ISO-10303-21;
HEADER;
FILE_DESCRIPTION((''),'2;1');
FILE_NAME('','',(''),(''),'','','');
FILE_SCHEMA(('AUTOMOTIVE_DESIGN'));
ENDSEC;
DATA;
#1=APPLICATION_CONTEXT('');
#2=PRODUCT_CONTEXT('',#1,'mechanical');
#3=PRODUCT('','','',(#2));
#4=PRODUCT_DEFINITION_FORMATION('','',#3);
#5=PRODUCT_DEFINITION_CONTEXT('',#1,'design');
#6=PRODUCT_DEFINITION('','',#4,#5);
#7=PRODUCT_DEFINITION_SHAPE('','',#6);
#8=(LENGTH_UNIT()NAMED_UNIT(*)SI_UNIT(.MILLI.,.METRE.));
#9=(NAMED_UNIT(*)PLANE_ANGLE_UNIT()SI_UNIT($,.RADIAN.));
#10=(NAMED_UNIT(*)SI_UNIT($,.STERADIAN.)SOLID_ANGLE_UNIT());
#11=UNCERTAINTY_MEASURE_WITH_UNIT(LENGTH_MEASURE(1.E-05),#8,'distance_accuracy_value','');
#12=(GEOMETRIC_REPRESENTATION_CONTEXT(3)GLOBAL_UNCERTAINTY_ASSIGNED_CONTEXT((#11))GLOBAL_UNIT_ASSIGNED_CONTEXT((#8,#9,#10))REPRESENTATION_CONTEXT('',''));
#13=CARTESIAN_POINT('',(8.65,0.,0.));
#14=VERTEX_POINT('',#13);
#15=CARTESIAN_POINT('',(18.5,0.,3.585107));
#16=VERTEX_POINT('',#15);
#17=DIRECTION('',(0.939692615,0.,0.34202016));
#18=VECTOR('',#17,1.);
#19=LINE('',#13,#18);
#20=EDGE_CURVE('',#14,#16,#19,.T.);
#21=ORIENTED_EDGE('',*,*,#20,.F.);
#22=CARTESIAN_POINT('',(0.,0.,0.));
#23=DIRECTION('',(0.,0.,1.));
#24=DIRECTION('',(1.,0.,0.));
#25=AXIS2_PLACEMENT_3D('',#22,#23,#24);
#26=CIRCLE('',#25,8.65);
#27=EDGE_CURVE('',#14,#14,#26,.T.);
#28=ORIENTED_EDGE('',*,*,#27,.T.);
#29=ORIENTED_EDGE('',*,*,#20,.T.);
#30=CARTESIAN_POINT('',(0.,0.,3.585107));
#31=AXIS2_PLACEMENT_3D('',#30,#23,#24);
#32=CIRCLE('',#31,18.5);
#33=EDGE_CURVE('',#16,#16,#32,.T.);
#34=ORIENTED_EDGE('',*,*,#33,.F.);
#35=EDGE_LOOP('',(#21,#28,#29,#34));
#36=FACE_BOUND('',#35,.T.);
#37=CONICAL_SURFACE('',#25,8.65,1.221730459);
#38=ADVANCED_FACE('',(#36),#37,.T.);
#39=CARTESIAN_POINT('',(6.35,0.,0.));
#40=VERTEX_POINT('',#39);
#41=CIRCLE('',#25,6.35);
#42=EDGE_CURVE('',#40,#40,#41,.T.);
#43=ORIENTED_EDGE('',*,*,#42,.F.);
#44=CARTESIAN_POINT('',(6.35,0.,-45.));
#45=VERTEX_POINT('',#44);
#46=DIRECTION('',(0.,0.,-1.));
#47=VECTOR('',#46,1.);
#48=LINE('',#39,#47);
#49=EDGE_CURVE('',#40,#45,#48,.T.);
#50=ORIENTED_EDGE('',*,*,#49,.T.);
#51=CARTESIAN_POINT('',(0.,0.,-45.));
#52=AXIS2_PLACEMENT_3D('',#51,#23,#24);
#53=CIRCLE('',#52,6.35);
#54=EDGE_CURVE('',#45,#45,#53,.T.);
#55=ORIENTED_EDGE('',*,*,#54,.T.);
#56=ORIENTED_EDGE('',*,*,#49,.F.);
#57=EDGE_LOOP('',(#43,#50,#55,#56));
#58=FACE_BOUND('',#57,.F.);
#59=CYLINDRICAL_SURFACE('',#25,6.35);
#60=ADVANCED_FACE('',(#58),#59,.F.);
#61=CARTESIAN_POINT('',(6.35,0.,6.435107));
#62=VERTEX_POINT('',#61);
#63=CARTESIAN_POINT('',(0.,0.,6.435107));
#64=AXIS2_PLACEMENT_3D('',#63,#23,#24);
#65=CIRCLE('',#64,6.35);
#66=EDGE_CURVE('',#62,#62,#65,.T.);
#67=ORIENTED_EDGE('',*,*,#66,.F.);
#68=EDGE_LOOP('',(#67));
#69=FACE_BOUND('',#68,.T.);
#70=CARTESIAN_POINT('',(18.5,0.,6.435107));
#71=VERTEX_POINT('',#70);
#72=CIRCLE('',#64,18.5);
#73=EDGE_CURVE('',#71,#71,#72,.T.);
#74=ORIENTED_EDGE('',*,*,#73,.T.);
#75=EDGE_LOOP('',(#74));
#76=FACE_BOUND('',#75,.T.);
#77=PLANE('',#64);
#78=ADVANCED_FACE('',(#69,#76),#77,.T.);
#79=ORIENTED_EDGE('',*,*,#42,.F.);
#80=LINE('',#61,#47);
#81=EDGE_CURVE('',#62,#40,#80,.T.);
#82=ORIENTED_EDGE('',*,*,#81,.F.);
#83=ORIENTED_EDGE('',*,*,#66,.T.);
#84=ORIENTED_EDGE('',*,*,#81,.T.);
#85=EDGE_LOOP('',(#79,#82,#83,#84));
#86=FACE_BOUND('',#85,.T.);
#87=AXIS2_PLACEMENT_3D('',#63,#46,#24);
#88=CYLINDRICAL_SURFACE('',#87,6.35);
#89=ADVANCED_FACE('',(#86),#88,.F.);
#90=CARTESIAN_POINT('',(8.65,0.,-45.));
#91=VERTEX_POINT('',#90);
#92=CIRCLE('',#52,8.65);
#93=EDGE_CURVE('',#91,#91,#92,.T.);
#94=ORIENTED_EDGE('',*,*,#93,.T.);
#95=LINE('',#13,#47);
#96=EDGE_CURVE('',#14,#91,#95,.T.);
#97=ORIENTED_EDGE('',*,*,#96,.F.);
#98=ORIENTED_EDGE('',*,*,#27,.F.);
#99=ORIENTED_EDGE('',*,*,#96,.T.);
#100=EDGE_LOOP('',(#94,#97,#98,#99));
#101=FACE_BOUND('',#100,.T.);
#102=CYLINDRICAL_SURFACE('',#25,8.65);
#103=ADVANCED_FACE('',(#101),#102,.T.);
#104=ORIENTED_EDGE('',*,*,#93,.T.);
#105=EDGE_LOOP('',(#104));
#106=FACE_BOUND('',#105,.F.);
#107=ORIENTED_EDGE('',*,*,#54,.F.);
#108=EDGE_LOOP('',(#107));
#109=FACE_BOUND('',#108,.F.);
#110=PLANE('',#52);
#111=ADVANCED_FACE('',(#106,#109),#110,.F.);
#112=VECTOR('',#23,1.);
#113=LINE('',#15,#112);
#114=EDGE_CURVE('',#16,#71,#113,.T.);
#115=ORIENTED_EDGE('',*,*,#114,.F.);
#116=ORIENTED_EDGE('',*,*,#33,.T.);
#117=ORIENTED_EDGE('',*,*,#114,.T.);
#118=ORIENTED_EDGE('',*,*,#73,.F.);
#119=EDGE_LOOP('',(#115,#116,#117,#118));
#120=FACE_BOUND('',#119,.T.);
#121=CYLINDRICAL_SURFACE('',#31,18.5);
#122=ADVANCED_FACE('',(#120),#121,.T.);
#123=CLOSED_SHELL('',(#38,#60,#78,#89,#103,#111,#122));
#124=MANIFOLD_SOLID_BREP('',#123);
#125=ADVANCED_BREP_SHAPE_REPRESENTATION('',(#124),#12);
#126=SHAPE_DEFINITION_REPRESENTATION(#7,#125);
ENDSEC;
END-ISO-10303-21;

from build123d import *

# Parameters (mm, degrees)
F2_R     = 8.65
F2_R_2   = 6.35
F3_DEPTH = 45


with BuildPart() as f1:
    # F0 (on Front) → F1 (revolve)
    with BuildSketch(Plane.XZ):
        Polygon((6.35, 6.435107), (6.35, 0), (8.65, 0), (18.5, 3.585107), (18.5, 6.435107), align=None)
    revolve(axis=Axis((0, 0, 5.644994), (0, 0, 1)))

    # F2 (on Top) → F3 (join)
    with BuildSketch(Plane.XY):
        Circle(F2_R)
        Circle(F2_R_2, mode=Mode.SUBTRACT)
    extrude(amount=-F3_DEPTH)


solid = f1.part
